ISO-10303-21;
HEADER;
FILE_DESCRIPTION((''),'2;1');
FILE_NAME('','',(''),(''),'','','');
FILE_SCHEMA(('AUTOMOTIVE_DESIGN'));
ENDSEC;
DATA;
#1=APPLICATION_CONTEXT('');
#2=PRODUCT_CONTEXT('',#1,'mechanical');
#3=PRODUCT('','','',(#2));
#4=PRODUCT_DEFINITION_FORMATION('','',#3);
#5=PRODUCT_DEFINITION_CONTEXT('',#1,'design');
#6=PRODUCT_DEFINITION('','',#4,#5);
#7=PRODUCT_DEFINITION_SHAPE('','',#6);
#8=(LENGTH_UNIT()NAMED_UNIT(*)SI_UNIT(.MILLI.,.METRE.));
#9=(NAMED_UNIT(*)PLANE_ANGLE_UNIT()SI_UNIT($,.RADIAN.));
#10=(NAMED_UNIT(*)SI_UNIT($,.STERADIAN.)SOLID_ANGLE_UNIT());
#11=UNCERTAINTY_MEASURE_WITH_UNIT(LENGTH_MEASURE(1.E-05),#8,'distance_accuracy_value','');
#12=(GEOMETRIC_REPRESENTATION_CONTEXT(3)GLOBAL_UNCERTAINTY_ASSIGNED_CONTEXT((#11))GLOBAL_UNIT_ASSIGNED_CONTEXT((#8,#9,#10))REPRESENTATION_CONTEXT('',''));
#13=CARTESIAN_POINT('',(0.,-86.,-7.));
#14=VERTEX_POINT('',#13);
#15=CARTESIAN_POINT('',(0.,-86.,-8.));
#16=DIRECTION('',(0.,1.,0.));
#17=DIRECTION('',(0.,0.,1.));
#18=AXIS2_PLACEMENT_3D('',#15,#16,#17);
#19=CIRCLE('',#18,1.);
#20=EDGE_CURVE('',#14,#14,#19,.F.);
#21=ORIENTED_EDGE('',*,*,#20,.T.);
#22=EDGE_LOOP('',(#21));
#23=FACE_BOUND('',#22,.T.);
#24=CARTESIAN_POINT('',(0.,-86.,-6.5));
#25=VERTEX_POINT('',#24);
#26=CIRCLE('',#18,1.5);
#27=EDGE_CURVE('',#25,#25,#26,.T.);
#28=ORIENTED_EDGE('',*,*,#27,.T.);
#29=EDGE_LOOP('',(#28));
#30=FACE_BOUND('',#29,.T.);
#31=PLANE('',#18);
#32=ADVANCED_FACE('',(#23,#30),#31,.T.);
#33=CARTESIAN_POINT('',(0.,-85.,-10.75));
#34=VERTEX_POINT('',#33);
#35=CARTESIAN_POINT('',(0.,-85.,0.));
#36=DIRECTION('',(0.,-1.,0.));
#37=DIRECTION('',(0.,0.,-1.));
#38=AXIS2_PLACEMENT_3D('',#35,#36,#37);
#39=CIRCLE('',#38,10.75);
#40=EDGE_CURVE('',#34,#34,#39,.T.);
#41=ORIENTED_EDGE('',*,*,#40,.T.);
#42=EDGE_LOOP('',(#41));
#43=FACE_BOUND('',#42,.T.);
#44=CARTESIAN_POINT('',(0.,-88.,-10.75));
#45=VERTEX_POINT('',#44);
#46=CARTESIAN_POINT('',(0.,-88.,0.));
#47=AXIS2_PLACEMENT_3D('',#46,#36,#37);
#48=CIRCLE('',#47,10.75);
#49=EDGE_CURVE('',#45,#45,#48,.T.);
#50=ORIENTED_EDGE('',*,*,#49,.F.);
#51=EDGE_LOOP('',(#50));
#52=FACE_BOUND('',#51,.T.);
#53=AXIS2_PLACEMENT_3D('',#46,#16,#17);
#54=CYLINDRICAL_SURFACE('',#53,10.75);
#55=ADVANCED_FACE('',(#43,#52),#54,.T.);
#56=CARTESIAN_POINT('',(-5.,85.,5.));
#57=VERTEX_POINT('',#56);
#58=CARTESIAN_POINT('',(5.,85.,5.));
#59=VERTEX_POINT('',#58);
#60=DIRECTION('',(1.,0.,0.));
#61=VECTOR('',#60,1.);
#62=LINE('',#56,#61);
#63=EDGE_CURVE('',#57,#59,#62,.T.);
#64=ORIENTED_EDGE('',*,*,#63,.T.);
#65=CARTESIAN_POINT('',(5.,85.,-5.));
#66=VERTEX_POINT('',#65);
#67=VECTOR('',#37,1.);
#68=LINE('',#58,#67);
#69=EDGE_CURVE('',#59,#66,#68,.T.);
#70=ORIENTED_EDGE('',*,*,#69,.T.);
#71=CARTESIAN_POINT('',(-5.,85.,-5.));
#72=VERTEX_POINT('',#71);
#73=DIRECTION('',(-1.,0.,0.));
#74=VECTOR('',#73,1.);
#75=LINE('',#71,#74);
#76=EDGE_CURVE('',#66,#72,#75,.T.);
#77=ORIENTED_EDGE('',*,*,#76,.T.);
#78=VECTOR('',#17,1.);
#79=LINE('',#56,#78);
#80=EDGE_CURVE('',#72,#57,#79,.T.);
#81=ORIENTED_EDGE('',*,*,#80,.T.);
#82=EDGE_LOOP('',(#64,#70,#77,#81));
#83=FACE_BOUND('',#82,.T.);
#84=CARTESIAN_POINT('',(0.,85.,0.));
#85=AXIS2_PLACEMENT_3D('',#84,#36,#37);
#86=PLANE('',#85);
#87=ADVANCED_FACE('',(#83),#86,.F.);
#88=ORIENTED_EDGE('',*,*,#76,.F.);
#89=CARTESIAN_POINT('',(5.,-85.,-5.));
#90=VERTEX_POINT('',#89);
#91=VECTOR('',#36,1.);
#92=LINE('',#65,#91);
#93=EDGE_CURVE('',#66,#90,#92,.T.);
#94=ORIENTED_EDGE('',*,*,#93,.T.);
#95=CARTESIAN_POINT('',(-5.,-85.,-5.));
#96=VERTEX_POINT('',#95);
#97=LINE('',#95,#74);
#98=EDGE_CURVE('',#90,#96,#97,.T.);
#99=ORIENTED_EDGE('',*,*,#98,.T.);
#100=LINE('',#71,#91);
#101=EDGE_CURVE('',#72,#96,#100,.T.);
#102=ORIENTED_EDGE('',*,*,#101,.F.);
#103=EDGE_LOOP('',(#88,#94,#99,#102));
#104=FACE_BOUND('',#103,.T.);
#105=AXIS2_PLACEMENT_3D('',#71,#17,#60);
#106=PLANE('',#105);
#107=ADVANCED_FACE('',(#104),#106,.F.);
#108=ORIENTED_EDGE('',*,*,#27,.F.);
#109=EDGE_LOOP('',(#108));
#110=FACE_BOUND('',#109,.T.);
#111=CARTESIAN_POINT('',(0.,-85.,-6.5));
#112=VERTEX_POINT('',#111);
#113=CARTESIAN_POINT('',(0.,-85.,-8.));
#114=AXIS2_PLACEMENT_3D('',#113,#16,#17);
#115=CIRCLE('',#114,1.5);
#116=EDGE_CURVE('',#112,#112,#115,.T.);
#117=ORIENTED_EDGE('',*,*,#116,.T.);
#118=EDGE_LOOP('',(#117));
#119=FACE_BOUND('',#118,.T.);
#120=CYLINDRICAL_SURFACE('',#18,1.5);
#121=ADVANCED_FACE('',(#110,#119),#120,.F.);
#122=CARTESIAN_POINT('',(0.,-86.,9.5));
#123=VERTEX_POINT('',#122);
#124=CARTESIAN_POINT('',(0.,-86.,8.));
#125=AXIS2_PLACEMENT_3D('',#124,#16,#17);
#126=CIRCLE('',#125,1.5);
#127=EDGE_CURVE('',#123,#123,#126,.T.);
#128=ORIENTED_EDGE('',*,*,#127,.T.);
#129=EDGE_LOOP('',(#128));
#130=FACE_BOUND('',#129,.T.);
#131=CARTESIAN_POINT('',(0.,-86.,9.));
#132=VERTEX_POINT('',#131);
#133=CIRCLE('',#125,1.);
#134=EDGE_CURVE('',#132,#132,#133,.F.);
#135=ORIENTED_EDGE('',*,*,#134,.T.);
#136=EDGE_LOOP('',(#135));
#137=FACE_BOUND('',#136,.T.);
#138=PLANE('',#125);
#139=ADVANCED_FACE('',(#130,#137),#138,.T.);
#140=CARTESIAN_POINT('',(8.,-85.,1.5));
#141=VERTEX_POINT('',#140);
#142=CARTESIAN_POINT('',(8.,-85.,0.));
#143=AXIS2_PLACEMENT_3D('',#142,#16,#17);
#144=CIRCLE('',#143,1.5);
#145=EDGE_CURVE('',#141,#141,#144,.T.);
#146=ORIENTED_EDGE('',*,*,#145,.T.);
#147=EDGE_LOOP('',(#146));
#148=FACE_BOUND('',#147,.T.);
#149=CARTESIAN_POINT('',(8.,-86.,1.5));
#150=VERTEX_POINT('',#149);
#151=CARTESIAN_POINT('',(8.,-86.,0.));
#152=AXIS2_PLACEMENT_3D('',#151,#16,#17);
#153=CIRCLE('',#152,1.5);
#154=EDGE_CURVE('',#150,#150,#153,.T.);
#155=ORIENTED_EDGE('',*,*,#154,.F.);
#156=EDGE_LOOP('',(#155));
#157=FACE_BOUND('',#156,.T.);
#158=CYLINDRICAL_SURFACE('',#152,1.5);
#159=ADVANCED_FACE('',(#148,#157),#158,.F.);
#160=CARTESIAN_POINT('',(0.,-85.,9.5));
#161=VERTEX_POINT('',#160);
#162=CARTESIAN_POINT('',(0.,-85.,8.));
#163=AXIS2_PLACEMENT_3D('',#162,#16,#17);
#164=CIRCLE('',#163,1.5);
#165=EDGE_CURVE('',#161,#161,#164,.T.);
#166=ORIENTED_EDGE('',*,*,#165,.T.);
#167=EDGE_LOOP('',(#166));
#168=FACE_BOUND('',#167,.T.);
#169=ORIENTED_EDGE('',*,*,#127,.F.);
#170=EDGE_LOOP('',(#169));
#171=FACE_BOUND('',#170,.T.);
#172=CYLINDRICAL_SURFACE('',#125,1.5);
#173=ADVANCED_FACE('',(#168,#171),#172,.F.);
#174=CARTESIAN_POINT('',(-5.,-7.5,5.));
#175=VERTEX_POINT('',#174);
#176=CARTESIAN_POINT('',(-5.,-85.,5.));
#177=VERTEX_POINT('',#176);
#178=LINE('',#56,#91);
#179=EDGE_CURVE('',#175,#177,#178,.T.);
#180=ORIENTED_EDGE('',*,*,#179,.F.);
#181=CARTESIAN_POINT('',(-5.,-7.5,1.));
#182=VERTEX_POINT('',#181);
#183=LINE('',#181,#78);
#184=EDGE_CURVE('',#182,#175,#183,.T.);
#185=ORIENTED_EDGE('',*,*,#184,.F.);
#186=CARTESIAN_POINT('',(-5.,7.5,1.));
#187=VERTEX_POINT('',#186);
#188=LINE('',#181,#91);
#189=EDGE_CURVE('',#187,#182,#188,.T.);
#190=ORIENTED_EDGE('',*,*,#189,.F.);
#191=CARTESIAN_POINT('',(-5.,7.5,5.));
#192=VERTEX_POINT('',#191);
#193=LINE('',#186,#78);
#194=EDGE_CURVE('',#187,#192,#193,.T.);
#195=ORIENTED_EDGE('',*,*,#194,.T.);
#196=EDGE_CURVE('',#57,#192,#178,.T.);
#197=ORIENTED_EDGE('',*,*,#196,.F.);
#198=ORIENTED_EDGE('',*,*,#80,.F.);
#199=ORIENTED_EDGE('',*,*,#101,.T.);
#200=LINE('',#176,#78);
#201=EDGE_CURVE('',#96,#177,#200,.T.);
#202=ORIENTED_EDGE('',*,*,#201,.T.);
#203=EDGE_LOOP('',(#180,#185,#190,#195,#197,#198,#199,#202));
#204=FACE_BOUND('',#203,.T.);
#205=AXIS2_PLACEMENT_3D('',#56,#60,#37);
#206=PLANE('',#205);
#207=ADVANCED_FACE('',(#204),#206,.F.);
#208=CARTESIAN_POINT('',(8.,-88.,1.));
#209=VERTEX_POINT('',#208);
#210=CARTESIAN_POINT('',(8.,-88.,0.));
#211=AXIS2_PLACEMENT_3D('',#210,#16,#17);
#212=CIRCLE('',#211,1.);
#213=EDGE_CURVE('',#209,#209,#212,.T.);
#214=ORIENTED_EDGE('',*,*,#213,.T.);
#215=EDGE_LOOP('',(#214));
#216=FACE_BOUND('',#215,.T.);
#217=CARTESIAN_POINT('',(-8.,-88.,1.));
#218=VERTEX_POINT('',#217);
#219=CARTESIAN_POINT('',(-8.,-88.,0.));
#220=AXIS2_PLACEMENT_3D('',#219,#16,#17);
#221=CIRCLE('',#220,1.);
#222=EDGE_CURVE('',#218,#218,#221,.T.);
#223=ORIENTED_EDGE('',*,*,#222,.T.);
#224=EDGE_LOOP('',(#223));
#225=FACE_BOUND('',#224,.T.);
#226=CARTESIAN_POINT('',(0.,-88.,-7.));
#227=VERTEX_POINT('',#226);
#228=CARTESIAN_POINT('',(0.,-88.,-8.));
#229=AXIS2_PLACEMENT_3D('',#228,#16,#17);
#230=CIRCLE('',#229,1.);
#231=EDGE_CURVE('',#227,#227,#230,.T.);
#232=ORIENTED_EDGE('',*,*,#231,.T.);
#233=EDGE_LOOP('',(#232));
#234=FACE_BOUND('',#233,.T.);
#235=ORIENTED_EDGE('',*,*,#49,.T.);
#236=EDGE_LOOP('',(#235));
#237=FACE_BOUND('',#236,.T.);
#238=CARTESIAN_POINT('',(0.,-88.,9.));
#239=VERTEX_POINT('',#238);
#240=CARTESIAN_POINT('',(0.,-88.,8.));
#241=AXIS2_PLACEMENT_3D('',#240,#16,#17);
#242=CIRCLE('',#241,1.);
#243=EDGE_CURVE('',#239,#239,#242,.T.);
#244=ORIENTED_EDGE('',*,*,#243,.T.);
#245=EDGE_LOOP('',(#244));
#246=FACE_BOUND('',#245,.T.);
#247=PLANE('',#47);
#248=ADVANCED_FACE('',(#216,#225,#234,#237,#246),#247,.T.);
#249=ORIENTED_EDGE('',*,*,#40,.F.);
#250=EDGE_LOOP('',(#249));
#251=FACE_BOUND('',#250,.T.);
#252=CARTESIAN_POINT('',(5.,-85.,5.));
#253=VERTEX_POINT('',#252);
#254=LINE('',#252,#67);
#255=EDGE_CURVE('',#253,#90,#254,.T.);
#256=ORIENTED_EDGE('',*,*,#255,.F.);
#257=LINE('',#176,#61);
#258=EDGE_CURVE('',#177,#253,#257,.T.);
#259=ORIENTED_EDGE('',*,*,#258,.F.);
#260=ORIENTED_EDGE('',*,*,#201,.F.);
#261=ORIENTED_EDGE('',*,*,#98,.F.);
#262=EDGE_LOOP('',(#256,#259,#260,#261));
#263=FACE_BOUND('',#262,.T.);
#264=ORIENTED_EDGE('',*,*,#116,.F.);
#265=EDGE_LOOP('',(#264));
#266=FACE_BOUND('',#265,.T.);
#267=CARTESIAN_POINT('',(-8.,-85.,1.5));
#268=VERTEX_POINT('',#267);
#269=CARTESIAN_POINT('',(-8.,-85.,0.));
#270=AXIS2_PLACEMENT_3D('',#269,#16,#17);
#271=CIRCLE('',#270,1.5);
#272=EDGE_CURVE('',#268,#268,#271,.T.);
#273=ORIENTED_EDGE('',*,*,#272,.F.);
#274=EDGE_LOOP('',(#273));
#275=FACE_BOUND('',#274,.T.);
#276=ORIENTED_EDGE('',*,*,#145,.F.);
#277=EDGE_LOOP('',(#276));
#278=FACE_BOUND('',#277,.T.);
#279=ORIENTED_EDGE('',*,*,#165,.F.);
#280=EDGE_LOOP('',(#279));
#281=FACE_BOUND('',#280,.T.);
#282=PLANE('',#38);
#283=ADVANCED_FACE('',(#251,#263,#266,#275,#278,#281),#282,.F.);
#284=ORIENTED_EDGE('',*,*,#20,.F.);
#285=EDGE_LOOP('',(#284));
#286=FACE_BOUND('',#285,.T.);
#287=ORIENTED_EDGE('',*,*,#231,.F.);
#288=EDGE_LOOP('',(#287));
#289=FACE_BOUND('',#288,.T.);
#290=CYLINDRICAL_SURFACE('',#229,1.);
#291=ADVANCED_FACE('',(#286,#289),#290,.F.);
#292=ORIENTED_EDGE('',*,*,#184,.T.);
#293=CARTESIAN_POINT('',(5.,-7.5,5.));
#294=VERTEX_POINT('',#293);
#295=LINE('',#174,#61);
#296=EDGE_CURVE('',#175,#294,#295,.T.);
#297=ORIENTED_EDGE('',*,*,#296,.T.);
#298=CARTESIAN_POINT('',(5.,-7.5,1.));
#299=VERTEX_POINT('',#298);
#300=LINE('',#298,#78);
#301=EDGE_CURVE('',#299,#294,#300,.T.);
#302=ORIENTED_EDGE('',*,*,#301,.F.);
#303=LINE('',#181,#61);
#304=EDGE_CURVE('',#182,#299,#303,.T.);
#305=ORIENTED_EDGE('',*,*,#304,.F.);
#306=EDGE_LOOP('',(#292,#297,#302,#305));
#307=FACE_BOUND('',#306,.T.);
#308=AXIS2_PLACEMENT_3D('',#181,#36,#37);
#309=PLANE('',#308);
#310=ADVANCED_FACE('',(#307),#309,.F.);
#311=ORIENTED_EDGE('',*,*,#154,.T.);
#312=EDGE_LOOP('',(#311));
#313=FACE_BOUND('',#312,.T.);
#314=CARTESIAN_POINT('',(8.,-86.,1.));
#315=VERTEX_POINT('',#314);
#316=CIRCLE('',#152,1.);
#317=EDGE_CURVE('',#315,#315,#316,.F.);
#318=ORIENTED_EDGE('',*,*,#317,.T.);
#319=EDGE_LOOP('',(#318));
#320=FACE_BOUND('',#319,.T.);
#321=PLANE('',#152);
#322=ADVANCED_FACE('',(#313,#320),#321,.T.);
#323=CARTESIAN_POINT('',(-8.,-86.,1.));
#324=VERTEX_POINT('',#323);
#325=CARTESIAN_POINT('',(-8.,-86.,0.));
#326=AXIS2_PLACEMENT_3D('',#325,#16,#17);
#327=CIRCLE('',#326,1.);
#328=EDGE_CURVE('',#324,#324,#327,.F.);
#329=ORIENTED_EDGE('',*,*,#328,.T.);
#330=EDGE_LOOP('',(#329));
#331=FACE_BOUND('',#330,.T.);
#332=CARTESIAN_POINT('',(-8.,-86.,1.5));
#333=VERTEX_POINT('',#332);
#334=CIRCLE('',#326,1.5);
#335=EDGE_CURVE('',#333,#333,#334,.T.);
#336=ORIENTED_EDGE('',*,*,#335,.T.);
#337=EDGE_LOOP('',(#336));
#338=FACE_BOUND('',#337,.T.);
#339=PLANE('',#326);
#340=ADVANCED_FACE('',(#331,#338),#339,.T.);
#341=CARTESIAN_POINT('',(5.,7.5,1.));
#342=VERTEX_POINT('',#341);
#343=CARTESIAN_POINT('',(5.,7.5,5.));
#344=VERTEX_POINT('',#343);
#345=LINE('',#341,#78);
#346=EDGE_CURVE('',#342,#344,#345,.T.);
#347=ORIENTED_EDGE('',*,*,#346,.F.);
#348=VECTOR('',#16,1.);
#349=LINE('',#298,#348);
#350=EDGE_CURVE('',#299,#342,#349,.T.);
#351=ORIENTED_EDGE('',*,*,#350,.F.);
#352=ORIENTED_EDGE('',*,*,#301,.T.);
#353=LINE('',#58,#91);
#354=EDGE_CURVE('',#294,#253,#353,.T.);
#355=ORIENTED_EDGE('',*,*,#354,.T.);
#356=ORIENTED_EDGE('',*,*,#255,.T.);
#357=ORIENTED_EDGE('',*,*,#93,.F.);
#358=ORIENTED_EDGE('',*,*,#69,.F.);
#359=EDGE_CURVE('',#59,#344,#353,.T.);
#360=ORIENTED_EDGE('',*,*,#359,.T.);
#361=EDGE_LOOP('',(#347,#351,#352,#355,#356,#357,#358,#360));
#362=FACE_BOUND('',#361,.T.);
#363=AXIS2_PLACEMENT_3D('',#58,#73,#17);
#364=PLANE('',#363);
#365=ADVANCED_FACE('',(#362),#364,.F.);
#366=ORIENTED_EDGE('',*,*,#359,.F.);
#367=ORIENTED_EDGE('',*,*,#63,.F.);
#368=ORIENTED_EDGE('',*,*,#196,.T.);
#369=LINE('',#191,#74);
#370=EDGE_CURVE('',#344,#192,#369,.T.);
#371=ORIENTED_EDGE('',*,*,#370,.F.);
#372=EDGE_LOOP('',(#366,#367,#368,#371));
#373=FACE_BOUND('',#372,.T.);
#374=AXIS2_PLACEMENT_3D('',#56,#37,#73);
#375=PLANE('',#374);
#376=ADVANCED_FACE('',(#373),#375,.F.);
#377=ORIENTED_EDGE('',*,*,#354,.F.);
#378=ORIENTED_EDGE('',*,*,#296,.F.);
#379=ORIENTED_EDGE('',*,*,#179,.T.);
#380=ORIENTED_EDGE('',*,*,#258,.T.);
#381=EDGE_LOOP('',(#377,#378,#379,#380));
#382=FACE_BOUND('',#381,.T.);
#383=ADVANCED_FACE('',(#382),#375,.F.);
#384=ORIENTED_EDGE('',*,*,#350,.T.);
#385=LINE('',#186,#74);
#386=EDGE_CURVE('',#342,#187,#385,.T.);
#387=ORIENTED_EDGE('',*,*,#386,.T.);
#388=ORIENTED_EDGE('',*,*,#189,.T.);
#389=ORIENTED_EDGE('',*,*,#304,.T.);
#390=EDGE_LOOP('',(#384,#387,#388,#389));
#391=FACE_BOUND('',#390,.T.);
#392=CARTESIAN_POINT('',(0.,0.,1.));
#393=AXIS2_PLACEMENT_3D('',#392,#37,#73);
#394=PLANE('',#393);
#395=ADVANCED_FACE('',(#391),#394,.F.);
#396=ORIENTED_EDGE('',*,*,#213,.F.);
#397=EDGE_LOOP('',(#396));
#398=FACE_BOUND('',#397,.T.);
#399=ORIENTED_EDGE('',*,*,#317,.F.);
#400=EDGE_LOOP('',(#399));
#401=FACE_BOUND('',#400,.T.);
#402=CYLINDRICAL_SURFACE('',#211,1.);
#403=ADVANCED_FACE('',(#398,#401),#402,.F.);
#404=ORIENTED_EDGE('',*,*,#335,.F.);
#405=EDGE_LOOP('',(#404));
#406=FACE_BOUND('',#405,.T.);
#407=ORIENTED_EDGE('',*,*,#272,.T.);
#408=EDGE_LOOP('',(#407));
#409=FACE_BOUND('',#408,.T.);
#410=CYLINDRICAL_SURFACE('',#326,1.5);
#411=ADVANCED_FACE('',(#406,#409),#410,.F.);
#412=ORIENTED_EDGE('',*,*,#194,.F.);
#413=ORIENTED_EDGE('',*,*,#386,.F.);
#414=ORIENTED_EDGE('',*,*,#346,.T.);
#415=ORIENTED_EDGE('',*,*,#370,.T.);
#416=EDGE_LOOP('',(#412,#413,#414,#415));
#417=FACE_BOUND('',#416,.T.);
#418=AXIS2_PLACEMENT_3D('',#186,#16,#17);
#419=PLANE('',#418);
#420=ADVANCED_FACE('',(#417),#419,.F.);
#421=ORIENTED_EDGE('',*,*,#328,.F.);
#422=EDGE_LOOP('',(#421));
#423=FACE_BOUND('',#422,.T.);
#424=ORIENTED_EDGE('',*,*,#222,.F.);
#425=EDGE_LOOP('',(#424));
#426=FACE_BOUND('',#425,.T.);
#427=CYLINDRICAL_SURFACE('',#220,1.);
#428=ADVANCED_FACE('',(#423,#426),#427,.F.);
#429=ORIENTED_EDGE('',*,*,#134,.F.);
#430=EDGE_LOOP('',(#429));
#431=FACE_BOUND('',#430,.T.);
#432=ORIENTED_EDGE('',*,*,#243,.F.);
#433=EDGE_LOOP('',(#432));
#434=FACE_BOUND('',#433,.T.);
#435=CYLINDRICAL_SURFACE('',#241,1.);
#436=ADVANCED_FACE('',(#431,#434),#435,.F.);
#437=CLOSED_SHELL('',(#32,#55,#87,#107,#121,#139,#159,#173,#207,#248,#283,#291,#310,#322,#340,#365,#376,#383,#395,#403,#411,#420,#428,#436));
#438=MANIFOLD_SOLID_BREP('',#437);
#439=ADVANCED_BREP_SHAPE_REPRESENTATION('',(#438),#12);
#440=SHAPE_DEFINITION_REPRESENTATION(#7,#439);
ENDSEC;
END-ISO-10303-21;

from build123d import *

# Parameters (mm, degrees)
SKETCH1_W           = 10
SKETCH1_H           = 10
BOSS_EXTRUDE1_DEPTH = 85
SKETCH2_W           = 10
SKETCH2_H           = 15
CUT_EXTRUDE1_DEPTH  = 4
SKETCH3_R           = 10.75
BOSS_EXTRUDE2_DEPTH = 3
SKETCH4_R           = 1
CUT_EXTRUDE2_DEPTH  = 3
SKETCH5_R           = 1.5
CUT_EXTRUDE3_DEPTH  = 1


with BuildPart() as part:
    # Sketch1 → Boss-Extrude1 (new body, symmetric)
    with BuildSketch(Plane(origin=(0, 0, 0), x_dir=(1, 0, 0), z_dir=(0, 1, 0))):
        Rectangle(SKETCH1_W, SKETCH1_H)
    extrude(amount=BOSS_EXTRUDE1_DEPTH, both=True)

    # Sketch2 → Cut-Extrude1 (cut)
    with BuildSketch(Plane.XY.offset(5)):
        Rectangle(SKETCH2_W, SKETCH2_H)
    extrude(amount=-CUT_EXTRUDE1_DEPTH, mode=Mode.SUBTRACT)

    # Sketch3 → Boss-Extrude2 (add)
    with BuildSketch(Plane.XZ.offset(85)):
        Circle(SKETCH3_R)
    extrude(amount=BOSS_EXTRUDE2_DEPTH)

    # Sketch4 → Cut-Extrude2 (cut)
    with BuildSketch(Plane(origin=(0, -85, 0), x_dir=(1, 0, 0), z_dir=(0, 1, 0))):
        with Locations((8, 0)):
            Circle(SKETCH4_R)
        with Locations((0, -8)):
            Circle(SKETCH4_R)
        with Locations((-8, 0)):
            Circle(SKETCH4_R)
        with Locations((0, 8)):
            Circle(SKETCH4_R)
    extrude(amount=-CUT_EXTRUDE2_DEPTH, mode=Mode.SUBTRACT)

    # Sketch5 → Cut-Extrude3 (cut)
    with BuildSketch(Plane(origin=(0, -85, 0), x_dir=(1, 0, 0), z_dir=(0, 1, 0))):
        with Locations((8, 0)):
            Circle(SKETCH5_R)
        with Locations((0, -8)):
            Circle(SKETCH5_R)
        with Locations((-8, 0)):
            Circle(SKETCH5_R)
        with Locations((0, 8)):
            Circle(SKETCH5_R)
    extrude(amount=-CUT_EXTRUDE3_DEPTH, mode=Mode.SUBTRACT)


solid = part.part
